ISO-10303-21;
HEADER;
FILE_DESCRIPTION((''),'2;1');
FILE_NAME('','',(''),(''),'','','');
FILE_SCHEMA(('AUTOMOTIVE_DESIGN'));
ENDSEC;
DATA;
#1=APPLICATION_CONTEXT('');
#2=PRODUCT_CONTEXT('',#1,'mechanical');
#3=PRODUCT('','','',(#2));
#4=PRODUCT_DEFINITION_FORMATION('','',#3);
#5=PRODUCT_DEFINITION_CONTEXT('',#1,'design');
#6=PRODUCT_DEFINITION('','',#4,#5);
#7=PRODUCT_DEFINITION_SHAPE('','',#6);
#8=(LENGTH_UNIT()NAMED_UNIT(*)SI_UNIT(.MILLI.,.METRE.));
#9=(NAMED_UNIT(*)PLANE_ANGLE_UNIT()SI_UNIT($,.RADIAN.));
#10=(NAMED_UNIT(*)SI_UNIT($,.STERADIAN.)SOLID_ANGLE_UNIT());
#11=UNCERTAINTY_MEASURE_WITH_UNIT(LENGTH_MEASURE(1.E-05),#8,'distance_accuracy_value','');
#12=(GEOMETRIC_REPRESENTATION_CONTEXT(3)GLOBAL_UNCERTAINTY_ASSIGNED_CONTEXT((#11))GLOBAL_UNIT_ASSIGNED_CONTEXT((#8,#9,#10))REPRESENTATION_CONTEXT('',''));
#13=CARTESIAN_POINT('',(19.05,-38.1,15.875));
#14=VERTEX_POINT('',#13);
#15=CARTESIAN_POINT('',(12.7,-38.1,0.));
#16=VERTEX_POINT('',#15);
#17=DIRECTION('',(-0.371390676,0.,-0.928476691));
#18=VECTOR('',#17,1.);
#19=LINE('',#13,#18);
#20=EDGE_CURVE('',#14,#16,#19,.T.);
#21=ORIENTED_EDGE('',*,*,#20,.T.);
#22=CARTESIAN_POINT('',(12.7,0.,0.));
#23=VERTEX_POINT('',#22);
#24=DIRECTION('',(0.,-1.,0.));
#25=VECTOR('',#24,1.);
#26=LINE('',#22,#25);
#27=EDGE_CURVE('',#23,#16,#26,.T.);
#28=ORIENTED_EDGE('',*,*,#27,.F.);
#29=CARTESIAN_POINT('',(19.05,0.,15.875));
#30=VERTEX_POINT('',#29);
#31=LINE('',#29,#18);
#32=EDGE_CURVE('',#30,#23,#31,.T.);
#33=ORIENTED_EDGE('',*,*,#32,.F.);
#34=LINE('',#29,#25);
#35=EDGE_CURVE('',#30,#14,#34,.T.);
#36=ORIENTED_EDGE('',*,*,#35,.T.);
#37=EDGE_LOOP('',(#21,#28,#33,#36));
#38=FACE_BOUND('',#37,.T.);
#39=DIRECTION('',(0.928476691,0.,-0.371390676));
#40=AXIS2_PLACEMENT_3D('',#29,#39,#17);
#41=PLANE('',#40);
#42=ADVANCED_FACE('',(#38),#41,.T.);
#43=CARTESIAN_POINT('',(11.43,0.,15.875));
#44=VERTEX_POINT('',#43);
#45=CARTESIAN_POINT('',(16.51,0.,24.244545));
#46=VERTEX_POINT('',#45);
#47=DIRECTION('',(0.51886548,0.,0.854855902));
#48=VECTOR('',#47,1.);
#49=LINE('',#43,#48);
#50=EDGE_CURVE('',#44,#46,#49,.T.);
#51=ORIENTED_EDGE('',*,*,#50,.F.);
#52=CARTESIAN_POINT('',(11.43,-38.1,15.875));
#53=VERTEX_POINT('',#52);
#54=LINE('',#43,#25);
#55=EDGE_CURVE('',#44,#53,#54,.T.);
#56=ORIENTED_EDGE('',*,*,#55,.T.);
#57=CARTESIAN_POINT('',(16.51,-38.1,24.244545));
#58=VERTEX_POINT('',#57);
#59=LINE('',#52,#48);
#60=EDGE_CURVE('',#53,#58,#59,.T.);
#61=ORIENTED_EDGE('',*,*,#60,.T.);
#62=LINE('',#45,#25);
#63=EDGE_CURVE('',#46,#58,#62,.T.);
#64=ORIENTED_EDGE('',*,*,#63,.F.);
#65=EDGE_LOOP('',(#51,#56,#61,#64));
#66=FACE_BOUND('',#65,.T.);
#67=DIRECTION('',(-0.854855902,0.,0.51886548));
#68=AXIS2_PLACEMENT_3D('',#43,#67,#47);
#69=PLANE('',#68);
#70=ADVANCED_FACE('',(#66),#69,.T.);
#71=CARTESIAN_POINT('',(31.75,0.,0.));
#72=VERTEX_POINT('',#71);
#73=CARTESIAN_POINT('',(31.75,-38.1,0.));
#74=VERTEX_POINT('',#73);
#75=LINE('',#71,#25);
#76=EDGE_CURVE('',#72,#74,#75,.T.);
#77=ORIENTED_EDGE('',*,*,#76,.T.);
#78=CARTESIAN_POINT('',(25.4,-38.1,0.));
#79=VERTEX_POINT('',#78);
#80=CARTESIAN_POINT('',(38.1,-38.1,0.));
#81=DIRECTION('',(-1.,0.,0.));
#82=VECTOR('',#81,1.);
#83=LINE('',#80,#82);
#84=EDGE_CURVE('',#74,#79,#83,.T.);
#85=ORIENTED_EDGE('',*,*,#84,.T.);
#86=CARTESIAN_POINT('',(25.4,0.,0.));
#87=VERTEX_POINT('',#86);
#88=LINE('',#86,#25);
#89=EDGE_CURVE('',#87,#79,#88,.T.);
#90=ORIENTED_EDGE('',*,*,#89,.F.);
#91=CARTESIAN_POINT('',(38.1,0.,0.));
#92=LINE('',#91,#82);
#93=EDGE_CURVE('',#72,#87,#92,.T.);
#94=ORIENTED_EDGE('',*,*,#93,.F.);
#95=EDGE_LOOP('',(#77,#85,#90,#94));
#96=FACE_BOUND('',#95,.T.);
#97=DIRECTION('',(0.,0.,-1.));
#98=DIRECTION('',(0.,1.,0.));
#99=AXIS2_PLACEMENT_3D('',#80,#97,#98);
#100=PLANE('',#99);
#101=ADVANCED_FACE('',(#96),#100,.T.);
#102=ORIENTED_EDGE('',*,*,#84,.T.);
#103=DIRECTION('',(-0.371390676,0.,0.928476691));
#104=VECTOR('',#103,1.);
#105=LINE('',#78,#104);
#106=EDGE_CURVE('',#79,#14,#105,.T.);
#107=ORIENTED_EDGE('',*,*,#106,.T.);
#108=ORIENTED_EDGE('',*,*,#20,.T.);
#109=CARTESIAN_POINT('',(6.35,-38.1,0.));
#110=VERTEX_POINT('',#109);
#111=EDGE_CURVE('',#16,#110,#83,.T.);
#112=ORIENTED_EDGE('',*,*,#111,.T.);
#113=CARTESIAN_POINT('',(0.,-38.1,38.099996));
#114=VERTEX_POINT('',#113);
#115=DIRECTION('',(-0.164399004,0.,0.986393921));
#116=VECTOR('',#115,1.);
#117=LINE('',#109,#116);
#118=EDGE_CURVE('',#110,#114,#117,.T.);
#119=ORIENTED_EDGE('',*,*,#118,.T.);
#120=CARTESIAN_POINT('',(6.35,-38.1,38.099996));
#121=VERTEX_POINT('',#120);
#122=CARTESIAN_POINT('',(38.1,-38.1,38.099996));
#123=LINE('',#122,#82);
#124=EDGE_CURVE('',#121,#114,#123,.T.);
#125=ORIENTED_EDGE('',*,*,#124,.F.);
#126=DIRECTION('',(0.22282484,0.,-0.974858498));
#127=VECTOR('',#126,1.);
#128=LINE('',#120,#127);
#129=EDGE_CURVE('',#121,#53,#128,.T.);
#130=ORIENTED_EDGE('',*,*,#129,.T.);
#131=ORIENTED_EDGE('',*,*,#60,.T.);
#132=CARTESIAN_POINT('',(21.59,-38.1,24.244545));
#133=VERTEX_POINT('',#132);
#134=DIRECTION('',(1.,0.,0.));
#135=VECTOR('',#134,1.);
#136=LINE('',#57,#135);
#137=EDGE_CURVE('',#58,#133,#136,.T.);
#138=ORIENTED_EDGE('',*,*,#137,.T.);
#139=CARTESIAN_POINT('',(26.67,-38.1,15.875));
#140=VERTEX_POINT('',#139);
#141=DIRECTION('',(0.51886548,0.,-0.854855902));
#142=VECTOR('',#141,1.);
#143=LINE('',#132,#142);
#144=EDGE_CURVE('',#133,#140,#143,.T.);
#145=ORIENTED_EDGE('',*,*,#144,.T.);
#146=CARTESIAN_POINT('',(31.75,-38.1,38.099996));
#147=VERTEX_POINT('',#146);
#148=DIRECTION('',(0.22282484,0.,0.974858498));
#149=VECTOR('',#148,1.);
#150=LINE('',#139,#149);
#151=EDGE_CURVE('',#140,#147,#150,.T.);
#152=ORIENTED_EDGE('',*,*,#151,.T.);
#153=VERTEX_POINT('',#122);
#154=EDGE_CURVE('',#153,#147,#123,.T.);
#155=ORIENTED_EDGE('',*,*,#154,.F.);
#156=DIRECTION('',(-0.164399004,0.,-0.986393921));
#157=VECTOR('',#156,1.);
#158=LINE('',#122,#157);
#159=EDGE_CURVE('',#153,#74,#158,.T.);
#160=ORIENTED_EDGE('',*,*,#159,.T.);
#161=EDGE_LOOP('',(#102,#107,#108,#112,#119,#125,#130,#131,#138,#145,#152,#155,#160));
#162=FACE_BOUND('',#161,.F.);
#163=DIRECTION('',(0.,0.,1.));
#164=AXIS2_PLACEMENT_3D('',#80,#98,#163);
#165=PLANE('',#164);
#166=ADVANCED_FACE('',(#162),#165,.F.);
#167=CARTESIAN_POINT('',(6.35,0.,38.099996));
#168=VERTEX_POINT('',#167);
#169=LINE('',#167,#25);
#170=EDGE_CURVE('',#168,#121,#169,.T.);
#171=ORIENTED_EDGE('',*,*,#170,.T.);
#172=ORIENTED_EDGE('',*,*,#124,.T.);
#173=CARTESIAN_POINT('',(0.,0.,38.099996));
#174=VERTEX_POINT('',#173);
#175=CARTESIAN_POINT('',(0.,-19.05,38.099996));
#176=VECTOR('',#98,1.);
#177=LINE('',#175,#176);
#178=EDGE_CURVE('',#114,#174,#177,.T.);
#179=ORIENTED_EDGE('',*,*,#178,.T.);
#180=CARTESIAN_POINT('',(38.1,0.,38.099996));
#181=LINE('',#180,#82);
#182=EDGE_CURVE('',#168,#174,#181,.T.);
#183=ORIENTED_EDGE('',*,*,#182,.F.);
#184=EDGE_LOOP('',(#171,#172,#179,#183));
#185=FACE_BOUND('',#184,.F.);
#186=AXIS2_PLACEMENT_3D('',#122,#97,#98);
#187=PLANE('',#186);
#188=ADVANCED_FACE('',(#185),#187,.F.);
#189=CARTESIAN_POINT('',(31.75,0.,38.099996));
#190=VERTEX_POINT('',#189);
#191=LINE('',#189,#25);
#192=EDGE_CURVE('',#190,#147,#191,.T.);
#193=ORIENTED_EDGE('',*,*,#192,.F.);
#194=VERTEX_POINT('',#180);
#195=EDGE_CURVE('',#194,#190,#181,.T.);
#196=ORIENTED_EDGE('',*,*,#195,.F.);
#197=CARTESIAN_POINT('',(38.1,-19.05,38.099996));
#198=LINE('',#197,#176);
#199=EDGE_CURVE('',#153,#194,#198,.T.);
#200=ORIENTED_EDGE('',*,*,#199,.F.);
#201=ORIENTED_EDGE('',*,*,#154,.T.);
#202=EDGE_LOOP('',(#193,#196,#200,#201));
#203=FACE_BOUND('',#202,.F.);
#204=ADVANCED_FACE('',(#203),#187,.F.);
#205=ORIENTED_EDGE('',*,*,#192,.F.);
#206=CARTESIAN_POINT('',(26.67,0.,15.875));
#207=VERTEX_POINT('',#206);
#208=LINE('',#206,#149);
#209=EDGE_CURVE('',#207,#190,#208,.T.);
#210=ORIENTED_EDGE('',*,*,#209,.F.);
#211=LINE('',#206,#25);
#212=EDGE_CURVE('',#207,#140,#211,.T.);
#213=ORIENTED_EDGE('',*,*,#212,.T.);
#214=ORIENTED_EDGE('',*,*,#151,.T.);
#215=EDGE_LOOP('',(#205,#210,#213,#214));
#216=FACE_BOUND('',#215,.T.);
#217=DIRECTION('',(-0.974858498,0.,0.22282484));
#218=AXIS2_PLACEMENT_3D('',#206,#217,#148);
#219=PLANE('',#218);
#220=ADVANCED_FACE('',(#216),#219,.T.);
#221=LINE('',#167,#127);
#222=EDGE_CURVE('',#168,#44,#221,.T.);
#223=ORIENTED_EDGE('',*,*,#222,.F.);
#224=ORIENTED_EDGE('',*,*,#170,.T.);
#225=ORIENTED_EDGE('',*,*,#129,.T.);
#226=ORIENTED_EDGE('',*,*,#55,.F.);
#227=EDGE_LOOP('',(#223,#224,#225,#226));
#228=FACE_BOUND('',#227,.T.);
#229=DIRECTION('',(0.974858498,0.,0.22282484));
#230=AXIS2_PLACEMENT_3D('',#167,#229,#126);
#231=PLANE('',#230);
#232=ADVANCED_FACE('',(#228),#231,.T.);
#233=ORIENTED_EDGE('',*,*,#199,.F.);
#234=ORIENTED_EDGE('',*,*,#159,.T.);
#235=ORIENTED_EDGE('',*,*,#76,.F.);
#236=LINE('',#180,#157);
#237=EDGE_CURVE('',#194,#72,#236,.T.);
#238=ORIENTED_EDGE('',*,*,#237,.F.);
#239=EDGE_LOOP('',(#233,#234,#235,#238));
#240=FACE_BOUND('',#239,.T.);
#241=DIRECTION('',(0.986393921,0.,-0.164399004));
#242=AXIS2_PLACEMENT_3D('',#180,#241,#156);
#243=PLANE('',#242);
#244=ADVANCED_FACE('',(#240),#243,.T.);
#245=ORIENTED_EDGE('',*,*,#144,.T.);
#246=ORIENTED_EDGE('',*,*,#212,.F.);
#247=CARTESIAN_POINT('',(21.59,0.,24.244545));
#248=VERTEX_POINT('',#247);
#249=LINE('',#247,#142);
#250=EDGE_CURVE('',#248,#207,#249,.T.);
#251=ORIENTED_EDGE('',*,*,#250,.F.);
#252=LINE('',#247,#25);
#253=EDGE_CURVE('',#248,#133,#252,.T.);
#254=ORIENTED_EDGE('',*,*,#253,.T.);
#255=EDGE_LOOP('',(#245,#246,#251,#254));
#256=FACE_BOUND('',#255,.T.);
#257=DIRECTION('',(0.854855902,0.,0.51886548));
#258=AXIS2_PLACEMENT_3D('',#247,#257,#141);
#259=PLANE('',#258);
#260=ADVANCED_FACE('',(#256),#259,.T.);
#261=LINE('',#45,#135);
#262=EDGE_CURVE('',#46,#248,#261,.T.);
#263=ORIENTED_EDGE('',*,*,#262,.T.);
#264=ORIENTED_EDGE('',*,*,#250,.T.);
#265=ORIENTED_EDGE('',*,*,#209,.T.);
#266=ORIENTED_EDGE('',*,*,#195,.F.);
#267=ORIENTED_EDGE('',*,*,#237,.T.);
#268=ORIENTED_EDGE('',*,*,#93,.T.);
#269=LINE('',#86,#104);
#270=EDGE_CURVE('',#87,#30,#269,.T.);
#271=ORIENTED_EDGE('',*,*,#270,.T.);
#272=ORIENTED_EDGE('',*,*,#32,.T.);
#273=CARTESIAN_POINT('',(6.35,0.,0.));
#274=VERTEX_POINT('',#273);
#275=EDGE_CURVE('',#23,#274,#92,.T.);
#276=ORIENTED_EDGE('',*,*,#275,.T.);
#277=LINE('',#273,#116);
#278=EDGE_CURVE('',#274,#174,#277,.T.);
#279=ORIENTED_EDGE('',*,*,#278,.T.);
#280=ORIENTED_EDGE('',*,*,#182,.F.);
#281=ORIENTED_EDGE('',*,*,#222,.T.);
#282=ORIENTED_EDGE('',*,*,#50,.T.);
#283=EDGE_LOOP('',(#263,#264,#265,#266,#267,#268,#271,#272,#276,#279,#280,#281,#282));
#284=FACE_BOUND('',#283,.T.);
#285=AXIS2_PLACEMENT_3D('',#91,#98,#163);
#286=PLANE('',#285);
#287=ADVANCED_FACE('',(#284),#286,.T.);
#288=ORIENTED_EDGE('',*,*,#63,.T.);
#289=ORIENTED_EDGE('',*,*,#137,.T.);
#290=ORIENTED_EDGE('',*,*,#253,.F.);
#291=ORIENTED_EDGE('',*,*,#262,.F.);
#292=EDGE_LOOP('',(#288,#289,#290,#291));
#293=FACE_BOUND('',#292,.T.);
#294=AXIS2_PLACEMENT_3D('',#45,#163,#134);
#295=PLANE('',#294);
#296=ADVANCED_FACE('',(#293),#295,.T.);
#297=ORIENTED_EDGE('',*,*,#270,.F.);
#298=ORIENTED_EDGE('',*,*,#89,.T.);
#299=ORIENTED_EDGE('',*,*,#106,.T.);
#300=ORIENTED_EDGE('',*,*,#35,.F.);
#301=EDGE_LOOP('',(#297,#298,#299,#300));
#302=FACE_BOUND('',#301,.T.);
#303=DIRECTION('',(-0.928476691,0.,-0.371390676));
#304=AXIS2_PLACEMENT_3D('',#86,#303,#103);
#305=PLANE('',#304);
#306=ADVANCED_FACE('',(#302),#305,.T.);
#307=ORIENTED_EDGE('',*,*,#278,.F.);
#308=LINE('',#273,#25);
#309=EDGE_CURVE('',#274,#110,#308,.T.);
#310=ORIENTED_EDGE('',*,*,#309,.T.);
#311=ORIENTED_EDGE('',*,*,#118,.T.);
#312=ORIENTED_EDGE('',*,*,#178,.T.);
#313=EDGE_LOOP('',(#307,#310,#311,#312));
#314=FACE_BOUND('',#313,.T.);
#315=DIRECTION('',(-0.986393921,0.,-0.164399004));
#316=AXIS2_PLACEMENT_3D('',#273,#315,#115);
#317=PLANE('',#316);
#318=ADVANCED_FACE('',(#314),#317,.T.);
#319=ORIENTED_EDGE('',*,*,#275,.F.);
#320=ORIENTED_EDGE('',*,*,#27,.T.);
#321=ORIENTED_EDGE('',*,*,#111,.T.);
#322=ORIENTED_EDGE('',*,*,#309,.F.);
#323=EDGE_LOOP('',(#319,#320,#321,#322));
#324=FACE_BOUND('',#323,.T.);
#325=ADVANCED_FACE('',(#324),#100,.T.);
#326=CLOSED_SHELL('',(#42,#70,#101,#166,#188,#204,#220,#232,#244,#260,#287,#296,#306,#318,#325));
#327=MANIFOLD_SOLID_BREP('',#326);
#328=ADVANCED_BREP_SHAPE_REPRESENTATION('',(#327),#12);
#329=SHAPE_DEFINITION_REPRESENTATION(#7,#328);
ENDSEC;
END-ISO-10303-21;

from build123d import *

# Parameters (mm, degrees)
F2_W     = 38.1
F2_H     = 38.099996
F3_DEPTH = 38.1
F4_DEPTH = 38.1


with BuildPart() as f3:
    # F2 (on offset) → F3 (new body)
    with BuildSketch(Plane.YZ.offset(38.1)):
        with Locations((-19.05, 19.049998)):
            Rectangle(F2_W, F2_H)
    extrude(amount=-F3_DEPTH)

    # F0 (on Front) → F4 (cut)
    with BuildSketch(Plane.XZ):
        Polygon((0, 38.099996), (0, 0), (6.35, 0), align=None)
        Polygon((31.75, 38.099996), (6.35, 38.099996), (11.43, 15.875), (16.51, 24.244545), (21.59, 24.244545), (26.67, 15.875), align=None)
        Polygon((38.1, 0), (38.1, 38.099996), (31.75, 0), align=None)
        Polygon((19.05, 15.875), (12.7, 0), (25.4, 0), align=None)
    extrude(amount=F4_DEPTH, mode=Mode.SUBTRACT)


solid = f3.part
